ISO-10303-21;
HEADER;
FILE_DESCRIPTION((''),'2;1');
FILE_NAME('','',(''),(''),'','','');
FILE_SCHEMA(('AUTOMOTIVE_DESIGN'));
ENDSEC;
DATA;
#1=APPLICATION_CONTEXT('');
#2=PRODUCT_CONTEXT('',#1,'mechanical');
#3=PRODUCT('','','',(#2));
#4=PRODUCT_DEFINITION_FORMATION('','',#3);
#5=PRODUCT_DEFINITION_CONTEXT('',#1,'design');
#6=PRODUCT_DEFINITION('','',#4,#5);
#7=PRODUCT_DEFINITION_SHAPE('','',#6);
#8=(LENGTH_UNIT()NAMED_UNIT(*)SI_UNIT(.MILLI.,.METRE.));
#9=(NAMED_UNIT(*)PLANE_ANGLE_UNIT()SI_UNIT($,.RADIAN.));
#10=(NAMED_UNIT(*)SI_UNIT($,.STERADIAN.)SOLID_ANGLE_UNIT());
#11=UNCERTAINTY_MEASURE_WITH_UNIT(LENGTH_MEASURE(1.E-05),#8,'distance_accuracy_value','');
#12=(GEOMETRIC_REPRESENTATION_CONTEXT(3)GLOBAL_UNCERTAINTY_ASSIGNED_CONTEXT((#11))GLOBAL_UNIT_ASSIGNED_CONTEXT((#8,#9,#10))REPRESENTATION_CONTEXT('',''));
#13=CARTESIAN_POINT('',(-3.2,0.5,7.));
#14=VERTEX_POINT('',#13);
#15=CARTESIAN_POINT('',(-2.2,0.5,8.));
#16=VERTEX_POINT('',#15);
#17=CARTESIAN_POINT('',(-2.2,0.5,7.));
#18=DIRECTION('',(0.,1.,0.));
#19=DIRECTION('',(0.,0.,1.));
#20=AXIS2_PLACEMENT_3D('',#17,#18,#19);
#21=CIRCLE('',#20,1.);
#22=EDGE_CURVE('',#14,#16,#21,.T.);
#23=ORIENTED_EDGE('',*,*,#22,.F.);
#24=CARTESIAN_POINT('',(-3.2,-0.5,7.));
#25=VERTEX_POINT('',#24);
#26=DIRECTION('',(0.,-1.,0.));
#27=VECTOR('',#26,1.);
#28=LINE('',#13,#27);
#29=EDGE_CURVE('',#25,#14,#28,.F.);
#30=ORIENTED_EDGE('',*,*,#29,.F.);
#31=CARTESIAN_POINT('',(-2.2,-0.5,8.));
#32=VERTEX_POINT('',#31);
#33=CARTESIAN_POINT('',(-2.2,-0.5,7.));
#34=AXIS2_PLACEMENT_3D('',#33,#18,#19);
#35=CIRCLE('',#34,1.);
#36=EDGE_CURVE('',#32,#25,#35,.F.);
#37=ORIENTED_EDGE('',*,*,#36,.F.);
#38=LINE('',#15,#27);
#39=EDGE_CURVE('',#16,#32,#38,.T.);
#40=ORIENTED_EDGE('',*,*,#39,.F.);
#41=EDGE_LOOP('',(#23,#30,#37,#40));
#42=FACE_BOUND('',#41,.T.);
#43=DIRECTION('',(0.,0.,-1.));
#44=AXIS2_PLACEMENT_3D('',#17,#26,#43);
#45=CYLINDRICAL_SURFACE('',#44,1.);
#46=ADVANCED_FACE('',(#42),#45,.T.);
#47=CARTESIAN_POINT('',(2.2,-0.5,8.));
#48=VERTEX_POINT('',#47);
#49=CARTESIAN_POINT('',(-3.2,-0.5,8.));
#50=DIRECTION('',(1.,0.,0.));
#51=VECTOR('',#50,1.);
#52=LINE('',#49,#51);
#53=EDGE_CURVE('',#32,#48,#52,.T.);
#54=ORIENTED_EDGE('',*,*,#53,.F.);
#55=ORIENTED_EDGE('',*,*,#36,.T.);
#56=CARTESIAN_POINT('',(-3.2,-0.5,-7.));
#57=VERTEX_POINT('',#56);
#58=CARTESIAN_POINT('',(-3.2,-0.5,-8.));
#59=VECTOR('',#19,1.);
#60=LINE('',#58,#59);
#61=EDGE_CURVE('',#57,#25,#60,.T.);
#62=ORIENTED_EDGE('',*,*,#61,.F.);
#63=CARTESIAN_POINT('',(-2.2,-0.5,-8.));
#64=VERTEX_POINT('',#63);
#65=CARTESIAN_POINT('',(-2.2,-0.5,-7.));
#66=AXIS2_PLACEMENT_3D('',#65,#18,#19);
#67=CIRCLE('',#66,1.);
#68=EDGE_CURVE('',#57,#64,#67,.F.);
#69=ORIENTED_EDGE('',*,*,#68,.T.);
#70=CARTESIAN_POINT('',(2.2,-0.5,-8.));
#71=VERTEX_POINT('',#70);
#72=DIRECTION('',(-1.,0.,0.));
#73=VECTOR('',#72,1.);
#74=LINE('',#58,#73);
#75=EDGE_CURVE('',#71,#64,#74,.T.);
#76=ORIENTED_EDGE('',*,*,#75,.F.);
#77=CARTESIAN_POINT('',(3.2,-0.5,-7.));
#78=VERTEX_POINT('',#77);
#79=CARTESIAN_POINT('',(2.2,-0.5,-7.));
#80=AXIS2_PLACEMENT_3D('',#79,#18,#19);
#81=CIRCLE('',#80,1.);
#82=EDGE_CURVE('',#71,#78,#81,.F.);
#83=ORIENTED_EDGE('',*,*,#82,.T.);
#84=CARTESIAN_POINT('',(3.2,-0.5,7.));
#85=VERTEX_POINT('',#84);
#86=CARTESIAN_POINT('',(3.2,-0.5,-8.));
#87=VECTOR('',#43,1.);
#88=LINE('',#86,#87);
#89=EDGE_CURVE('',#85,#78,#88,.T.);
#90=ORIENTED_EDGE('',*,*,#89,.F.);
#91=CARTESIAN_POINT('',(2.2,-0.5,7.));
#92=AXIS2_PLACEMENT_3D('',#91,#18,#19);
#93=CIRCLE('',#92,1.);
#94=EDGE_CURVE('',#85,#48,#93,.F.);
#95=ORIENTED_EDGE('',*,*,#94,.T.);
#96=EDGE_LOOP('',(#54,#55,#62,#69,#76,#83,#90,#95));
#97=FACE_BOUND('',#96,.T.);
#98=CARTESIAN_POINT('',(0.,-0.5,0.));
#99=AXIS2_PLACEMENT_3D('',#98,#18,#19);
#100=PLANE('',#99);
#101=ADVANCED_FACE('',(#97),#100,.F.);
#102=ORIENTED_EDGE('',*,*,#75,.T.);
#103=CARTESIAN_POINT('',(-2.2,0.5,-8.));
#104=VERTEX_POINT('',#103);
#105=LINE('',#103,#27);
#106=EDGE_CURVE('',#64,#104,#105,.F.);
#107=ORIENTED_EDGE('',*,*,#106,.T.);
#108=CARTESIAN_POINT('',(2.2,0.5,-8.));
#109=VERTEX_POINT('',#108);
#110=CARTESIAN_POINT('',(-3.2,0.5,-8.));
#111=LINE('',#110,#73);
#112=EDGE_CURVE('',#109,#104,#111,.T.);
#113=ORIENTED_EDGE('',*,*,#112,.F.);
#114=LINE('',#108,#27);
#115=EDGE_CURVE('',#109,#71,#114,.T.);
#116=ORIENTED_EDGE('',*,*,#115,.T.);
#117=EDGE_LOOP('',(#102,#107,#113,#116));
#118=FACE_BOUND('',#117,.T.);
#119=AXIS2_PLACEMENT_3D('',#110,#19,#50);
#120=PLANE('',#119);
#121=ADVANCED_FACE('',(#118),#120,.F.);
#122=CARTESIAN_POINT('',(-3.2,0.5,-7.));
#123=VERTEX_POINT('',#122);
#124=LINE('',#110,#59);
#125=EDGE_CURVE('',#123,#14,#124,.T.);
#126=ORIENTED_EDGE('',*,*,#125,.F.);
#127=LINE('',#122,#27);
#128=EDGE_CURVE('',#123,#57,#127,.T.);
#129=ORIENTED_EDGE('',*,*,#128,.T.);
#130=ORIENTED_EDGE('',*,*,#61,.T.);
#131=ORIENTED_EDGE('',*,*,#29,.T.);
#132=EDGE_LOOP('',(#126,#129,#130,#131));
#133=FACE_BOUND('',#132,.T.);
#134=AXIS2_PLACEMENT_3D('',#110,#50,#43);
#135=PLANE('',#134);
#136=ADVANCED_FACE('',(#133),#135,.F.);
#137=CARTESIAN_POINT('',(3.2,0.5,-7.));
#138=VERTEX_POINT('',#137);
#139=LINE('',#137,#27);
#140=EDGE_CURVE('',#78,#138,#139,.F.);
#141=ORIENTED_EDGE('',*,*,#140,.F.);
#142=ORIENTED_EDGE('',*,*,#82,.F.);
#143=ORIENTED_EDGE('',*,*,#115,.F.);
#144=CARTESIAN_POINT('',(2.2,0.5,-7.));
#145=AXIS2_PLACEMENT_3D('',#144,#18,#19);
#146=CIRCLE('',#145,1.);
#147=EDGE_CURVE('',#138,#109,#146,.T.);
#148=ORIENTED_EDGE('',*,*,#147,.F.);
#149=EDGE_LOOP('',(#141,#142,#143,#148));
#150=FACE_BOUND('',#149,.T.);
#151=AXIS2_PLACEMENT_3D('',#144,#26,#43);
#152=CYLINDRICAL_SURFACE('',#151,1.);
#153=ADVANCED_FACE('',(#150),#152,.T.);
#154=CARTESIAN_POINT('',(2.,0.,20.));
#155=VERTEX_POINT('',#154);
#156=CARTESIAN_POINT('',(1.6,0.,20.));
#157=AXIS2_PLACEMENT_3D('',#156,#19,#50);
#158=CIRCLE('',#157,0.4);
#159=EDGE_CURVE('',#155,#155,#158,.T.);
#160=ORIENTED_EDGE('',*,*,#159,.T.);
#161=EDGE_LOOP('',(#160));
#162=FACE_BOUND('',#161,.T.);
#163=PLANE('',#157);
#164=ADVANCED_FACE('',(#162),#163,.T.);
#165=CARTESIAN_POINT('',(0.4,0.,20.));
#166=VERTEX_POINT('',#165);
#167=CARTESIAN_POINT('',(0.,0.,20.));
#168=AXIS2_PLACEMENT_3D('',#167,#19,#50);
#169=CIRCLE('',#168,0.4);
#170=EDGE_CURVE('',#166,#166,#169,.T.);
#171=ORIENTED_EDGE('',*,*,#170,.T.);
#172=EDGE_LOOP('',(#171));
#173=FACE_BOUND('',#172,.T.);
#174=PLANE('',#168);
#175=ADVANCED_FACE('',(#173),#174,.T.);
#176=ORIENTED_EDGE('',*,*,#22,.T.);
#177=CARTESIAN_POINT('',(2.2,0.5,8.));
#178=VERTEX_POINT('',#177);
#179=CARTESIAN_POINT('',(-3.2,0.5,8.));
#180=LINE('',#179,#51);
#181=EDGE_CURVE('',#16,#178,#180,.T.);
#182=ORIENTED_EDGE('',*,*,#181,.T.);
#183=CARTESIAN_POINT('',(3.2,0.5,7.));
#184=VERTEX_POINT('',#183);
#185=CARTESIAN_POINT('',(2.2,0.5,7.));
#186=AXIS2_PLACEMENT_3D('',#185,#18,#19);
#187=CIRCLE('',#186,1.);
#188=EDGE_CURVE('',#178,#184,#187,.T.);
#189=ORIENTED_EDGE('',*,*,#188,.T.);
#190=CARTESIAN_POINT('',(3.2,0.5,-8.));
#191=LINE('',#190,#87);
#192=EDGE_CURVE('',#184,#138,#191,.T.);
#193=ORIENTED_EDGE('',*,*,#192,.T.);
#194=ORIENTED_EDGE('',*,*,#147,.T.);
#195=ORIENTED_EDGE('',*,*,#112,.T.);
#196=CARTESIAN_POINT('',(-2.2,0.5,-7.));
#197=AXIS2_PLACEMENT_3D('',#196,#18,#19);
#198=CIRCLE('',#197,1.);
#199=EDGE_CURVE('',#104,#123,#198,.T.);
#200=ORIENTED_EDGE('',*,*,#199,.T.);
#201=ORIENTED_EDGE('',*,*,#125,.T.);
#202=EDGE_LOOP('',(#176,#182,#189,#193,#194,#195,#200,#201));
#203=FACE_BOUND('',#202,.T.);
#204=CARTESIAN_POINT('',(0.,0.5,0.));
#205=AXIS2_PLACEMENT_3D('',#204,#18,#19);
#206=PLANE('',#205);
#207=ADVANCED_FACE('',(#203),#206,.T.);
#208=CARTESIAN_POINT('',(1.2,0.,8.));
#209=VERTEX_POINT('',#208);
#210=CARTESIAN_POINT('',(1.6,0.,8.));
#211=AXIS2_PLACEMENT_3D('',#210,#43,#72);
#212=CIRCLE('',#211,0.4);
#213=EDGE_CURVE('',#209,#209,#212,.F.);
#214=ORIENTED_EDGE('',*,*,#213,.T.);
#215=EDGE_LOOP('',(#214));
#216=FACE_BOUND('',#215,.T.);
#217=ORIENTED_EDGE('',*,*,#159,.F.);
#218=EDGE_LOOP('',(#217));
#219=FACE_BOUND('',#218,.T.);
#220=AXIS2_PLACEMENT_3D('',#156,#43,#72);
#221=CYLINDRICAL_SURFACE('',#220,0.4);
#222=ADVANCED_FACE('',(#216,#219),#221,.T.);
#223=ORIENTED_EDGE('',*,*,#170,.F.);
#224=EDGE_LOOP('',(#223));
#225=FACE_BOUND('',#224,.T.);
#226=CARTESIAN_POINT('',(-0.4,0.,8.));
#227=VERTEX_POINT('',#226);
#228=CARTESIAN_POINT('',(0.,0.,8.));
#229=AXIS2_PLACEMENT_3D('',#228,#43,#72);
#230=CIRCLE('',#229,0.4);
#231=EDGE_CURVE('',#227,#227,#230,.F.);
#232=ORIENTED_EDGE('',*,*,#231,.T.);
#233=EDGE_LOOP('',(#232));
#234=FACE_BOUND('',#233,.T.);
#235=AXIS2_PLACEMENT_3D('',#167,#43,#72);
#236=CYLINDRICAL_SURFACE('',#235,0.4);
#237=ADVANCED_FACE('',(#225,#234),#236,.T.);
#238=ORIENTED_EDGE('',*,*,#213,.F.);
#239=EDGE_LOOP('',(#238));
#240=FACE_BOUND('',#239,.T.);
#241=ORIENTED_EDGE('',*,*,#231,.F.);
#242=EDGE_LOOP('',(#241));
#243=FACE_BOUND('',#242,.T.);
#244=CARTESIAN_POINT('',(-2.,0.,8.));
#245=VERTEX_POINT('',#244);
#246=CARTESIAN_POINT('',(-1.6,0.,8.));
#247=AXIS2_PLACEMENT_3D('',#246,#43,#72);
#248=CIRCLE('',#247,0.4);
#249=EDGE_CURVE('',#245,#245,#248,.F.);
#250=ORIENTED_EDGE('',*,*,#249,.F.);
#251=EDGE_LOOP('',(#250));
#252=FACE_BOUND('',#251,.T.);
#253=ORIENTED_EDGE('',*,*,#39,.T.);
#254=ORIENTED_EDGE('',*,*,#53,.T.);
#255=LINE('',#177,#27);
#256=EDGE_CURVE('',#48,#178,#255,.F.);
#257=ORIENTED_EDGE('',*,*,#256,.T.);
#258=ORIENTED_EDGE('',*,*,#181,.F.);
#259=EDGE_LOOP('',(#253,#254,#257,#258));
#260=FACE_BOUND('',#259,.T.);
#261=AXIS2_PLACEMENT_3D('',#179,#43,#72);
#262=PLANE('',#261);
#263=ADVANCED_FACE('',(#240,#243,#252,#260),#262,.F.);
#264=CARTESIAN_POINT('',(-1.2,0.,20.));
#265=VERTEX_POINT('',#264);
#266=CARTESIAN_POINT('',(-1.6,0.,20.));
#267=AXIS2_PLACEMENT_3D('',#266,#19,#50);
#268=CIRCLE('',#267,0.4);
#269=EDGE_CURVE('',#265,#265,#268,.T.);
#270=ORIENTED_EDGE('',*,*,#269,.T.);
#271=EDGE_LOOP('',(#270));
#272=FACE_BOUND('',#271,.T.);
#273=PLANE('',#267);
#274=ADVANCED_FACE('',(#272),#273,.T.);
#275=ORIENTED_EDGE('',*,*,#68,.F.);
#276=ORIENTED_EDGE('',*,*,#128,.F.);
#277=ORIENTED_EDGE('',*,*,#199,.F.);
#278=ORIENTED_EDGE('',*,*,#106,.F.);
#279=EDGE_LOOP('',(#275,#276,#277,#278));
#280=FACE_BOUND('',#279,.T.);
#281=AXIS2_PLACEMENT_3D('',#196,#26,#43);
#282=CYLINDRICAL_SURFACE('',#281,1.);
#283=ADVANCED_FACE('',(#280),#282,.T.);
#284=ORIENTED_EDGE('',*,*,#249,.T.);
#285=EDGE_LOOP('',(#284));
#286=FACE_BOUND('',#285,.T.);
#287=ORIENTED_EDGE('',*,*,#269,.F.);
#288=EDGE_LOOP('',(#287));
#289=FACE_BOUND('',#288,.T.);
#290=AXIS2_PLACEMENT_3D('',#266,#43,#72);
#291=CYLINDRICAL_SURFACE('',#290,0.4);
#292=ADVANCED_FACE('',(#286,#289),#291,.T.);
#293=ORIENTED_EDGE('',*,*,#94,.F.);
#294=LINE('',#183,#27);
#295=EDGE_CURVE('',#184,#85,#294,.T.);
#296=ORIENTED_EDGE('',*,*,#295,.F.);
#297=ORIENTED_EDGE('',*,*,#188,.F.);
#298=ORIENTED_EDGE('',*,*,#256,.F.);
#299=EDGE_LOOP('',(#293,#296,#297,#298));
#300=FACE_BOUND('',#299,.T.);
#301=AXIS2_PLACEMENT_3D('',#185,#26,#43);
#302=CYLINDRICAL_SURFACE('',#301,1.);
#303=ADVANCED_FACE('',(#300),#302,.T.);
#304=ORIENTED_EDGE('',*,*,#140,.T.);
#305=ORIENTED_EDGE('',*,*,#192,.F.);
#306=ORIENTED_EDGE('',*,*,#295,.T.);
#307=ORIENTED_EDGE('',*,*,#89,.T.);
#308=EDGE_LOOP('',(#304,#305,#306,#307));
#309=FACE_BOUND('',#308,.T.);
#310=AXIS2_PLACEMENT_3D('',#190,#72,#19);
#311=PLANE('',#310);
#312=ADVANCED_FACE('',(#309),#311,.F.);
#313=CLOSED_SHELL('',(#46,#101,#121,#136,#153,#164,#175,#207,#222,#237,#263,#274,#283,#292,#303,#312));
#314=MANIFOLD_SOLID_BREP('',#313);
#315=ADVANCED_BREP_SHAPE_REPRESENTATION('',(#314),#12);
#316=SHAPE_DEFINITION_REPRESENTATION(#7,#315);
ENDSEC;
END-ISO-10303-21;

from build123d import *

# Parameters (mm, degrees)
SKETCH1_W         = 6.4
SKETCH1_H         = 16
BASE_DEPTH        = 0.5
BF_R              = 1
SKETCH2_R         = 0.4
WIRE_2_DEPTH      = 12
WIRE_LP_COUNT     = 2
WIRE_LP_PITCH     = 1.6
WIRE_LP_COL_COUNT = 2
WIRE_LP_COL_PITCH = 1.6


with BuildPart() as part:
    # Sketch1 → BASE (new, symmetric)
    with BuildSketch(Plane(origin=(0, 0, 0), x_dir=(1, 0, 0), z_dir=(0, 1, 0))):
        Rectangle(SKETCH1_W, SKETCH1_H)
    extrude(amount=BASE_DEPTH, both=True)

    # BF
    bf_edges = [part.edges().sort_by_distance(p)[0] for p in [
        (3.2, 0, 8),
        (-3.2, 0, 8),
        (-3.2, 0, -8),
        (3.2, 0, -8),
    ]]
    fillet(bf_edges, radius=BF_R)

    # Sketch2 → WIRE 2 (add)
    with BuildSketch(Plane.XY.offset(8)):
        with Locations(Location((0, 0, 0), (0, 0, 180))):
            Circle(SKETCH2_R)
    wire_2 = extrude(amount=WIRE_2_DEPTH)

    # WIRE LP: WIRE 2 ×2
    with Locations(*[(-i * WIRE_LP_PITCH, 0, 0) for i in range(1, WIRE_LP_COUNT)]):
        add(wire_2)

    # WIRE LP col: WIRE 2 ×2
    with Locations(*[(i * WIRE_LP_COL_PITCH, 0, 0) for i in range(1, WIRE_LP_COL_COUNT)]):
        add(wire_2)


solid = part.part
